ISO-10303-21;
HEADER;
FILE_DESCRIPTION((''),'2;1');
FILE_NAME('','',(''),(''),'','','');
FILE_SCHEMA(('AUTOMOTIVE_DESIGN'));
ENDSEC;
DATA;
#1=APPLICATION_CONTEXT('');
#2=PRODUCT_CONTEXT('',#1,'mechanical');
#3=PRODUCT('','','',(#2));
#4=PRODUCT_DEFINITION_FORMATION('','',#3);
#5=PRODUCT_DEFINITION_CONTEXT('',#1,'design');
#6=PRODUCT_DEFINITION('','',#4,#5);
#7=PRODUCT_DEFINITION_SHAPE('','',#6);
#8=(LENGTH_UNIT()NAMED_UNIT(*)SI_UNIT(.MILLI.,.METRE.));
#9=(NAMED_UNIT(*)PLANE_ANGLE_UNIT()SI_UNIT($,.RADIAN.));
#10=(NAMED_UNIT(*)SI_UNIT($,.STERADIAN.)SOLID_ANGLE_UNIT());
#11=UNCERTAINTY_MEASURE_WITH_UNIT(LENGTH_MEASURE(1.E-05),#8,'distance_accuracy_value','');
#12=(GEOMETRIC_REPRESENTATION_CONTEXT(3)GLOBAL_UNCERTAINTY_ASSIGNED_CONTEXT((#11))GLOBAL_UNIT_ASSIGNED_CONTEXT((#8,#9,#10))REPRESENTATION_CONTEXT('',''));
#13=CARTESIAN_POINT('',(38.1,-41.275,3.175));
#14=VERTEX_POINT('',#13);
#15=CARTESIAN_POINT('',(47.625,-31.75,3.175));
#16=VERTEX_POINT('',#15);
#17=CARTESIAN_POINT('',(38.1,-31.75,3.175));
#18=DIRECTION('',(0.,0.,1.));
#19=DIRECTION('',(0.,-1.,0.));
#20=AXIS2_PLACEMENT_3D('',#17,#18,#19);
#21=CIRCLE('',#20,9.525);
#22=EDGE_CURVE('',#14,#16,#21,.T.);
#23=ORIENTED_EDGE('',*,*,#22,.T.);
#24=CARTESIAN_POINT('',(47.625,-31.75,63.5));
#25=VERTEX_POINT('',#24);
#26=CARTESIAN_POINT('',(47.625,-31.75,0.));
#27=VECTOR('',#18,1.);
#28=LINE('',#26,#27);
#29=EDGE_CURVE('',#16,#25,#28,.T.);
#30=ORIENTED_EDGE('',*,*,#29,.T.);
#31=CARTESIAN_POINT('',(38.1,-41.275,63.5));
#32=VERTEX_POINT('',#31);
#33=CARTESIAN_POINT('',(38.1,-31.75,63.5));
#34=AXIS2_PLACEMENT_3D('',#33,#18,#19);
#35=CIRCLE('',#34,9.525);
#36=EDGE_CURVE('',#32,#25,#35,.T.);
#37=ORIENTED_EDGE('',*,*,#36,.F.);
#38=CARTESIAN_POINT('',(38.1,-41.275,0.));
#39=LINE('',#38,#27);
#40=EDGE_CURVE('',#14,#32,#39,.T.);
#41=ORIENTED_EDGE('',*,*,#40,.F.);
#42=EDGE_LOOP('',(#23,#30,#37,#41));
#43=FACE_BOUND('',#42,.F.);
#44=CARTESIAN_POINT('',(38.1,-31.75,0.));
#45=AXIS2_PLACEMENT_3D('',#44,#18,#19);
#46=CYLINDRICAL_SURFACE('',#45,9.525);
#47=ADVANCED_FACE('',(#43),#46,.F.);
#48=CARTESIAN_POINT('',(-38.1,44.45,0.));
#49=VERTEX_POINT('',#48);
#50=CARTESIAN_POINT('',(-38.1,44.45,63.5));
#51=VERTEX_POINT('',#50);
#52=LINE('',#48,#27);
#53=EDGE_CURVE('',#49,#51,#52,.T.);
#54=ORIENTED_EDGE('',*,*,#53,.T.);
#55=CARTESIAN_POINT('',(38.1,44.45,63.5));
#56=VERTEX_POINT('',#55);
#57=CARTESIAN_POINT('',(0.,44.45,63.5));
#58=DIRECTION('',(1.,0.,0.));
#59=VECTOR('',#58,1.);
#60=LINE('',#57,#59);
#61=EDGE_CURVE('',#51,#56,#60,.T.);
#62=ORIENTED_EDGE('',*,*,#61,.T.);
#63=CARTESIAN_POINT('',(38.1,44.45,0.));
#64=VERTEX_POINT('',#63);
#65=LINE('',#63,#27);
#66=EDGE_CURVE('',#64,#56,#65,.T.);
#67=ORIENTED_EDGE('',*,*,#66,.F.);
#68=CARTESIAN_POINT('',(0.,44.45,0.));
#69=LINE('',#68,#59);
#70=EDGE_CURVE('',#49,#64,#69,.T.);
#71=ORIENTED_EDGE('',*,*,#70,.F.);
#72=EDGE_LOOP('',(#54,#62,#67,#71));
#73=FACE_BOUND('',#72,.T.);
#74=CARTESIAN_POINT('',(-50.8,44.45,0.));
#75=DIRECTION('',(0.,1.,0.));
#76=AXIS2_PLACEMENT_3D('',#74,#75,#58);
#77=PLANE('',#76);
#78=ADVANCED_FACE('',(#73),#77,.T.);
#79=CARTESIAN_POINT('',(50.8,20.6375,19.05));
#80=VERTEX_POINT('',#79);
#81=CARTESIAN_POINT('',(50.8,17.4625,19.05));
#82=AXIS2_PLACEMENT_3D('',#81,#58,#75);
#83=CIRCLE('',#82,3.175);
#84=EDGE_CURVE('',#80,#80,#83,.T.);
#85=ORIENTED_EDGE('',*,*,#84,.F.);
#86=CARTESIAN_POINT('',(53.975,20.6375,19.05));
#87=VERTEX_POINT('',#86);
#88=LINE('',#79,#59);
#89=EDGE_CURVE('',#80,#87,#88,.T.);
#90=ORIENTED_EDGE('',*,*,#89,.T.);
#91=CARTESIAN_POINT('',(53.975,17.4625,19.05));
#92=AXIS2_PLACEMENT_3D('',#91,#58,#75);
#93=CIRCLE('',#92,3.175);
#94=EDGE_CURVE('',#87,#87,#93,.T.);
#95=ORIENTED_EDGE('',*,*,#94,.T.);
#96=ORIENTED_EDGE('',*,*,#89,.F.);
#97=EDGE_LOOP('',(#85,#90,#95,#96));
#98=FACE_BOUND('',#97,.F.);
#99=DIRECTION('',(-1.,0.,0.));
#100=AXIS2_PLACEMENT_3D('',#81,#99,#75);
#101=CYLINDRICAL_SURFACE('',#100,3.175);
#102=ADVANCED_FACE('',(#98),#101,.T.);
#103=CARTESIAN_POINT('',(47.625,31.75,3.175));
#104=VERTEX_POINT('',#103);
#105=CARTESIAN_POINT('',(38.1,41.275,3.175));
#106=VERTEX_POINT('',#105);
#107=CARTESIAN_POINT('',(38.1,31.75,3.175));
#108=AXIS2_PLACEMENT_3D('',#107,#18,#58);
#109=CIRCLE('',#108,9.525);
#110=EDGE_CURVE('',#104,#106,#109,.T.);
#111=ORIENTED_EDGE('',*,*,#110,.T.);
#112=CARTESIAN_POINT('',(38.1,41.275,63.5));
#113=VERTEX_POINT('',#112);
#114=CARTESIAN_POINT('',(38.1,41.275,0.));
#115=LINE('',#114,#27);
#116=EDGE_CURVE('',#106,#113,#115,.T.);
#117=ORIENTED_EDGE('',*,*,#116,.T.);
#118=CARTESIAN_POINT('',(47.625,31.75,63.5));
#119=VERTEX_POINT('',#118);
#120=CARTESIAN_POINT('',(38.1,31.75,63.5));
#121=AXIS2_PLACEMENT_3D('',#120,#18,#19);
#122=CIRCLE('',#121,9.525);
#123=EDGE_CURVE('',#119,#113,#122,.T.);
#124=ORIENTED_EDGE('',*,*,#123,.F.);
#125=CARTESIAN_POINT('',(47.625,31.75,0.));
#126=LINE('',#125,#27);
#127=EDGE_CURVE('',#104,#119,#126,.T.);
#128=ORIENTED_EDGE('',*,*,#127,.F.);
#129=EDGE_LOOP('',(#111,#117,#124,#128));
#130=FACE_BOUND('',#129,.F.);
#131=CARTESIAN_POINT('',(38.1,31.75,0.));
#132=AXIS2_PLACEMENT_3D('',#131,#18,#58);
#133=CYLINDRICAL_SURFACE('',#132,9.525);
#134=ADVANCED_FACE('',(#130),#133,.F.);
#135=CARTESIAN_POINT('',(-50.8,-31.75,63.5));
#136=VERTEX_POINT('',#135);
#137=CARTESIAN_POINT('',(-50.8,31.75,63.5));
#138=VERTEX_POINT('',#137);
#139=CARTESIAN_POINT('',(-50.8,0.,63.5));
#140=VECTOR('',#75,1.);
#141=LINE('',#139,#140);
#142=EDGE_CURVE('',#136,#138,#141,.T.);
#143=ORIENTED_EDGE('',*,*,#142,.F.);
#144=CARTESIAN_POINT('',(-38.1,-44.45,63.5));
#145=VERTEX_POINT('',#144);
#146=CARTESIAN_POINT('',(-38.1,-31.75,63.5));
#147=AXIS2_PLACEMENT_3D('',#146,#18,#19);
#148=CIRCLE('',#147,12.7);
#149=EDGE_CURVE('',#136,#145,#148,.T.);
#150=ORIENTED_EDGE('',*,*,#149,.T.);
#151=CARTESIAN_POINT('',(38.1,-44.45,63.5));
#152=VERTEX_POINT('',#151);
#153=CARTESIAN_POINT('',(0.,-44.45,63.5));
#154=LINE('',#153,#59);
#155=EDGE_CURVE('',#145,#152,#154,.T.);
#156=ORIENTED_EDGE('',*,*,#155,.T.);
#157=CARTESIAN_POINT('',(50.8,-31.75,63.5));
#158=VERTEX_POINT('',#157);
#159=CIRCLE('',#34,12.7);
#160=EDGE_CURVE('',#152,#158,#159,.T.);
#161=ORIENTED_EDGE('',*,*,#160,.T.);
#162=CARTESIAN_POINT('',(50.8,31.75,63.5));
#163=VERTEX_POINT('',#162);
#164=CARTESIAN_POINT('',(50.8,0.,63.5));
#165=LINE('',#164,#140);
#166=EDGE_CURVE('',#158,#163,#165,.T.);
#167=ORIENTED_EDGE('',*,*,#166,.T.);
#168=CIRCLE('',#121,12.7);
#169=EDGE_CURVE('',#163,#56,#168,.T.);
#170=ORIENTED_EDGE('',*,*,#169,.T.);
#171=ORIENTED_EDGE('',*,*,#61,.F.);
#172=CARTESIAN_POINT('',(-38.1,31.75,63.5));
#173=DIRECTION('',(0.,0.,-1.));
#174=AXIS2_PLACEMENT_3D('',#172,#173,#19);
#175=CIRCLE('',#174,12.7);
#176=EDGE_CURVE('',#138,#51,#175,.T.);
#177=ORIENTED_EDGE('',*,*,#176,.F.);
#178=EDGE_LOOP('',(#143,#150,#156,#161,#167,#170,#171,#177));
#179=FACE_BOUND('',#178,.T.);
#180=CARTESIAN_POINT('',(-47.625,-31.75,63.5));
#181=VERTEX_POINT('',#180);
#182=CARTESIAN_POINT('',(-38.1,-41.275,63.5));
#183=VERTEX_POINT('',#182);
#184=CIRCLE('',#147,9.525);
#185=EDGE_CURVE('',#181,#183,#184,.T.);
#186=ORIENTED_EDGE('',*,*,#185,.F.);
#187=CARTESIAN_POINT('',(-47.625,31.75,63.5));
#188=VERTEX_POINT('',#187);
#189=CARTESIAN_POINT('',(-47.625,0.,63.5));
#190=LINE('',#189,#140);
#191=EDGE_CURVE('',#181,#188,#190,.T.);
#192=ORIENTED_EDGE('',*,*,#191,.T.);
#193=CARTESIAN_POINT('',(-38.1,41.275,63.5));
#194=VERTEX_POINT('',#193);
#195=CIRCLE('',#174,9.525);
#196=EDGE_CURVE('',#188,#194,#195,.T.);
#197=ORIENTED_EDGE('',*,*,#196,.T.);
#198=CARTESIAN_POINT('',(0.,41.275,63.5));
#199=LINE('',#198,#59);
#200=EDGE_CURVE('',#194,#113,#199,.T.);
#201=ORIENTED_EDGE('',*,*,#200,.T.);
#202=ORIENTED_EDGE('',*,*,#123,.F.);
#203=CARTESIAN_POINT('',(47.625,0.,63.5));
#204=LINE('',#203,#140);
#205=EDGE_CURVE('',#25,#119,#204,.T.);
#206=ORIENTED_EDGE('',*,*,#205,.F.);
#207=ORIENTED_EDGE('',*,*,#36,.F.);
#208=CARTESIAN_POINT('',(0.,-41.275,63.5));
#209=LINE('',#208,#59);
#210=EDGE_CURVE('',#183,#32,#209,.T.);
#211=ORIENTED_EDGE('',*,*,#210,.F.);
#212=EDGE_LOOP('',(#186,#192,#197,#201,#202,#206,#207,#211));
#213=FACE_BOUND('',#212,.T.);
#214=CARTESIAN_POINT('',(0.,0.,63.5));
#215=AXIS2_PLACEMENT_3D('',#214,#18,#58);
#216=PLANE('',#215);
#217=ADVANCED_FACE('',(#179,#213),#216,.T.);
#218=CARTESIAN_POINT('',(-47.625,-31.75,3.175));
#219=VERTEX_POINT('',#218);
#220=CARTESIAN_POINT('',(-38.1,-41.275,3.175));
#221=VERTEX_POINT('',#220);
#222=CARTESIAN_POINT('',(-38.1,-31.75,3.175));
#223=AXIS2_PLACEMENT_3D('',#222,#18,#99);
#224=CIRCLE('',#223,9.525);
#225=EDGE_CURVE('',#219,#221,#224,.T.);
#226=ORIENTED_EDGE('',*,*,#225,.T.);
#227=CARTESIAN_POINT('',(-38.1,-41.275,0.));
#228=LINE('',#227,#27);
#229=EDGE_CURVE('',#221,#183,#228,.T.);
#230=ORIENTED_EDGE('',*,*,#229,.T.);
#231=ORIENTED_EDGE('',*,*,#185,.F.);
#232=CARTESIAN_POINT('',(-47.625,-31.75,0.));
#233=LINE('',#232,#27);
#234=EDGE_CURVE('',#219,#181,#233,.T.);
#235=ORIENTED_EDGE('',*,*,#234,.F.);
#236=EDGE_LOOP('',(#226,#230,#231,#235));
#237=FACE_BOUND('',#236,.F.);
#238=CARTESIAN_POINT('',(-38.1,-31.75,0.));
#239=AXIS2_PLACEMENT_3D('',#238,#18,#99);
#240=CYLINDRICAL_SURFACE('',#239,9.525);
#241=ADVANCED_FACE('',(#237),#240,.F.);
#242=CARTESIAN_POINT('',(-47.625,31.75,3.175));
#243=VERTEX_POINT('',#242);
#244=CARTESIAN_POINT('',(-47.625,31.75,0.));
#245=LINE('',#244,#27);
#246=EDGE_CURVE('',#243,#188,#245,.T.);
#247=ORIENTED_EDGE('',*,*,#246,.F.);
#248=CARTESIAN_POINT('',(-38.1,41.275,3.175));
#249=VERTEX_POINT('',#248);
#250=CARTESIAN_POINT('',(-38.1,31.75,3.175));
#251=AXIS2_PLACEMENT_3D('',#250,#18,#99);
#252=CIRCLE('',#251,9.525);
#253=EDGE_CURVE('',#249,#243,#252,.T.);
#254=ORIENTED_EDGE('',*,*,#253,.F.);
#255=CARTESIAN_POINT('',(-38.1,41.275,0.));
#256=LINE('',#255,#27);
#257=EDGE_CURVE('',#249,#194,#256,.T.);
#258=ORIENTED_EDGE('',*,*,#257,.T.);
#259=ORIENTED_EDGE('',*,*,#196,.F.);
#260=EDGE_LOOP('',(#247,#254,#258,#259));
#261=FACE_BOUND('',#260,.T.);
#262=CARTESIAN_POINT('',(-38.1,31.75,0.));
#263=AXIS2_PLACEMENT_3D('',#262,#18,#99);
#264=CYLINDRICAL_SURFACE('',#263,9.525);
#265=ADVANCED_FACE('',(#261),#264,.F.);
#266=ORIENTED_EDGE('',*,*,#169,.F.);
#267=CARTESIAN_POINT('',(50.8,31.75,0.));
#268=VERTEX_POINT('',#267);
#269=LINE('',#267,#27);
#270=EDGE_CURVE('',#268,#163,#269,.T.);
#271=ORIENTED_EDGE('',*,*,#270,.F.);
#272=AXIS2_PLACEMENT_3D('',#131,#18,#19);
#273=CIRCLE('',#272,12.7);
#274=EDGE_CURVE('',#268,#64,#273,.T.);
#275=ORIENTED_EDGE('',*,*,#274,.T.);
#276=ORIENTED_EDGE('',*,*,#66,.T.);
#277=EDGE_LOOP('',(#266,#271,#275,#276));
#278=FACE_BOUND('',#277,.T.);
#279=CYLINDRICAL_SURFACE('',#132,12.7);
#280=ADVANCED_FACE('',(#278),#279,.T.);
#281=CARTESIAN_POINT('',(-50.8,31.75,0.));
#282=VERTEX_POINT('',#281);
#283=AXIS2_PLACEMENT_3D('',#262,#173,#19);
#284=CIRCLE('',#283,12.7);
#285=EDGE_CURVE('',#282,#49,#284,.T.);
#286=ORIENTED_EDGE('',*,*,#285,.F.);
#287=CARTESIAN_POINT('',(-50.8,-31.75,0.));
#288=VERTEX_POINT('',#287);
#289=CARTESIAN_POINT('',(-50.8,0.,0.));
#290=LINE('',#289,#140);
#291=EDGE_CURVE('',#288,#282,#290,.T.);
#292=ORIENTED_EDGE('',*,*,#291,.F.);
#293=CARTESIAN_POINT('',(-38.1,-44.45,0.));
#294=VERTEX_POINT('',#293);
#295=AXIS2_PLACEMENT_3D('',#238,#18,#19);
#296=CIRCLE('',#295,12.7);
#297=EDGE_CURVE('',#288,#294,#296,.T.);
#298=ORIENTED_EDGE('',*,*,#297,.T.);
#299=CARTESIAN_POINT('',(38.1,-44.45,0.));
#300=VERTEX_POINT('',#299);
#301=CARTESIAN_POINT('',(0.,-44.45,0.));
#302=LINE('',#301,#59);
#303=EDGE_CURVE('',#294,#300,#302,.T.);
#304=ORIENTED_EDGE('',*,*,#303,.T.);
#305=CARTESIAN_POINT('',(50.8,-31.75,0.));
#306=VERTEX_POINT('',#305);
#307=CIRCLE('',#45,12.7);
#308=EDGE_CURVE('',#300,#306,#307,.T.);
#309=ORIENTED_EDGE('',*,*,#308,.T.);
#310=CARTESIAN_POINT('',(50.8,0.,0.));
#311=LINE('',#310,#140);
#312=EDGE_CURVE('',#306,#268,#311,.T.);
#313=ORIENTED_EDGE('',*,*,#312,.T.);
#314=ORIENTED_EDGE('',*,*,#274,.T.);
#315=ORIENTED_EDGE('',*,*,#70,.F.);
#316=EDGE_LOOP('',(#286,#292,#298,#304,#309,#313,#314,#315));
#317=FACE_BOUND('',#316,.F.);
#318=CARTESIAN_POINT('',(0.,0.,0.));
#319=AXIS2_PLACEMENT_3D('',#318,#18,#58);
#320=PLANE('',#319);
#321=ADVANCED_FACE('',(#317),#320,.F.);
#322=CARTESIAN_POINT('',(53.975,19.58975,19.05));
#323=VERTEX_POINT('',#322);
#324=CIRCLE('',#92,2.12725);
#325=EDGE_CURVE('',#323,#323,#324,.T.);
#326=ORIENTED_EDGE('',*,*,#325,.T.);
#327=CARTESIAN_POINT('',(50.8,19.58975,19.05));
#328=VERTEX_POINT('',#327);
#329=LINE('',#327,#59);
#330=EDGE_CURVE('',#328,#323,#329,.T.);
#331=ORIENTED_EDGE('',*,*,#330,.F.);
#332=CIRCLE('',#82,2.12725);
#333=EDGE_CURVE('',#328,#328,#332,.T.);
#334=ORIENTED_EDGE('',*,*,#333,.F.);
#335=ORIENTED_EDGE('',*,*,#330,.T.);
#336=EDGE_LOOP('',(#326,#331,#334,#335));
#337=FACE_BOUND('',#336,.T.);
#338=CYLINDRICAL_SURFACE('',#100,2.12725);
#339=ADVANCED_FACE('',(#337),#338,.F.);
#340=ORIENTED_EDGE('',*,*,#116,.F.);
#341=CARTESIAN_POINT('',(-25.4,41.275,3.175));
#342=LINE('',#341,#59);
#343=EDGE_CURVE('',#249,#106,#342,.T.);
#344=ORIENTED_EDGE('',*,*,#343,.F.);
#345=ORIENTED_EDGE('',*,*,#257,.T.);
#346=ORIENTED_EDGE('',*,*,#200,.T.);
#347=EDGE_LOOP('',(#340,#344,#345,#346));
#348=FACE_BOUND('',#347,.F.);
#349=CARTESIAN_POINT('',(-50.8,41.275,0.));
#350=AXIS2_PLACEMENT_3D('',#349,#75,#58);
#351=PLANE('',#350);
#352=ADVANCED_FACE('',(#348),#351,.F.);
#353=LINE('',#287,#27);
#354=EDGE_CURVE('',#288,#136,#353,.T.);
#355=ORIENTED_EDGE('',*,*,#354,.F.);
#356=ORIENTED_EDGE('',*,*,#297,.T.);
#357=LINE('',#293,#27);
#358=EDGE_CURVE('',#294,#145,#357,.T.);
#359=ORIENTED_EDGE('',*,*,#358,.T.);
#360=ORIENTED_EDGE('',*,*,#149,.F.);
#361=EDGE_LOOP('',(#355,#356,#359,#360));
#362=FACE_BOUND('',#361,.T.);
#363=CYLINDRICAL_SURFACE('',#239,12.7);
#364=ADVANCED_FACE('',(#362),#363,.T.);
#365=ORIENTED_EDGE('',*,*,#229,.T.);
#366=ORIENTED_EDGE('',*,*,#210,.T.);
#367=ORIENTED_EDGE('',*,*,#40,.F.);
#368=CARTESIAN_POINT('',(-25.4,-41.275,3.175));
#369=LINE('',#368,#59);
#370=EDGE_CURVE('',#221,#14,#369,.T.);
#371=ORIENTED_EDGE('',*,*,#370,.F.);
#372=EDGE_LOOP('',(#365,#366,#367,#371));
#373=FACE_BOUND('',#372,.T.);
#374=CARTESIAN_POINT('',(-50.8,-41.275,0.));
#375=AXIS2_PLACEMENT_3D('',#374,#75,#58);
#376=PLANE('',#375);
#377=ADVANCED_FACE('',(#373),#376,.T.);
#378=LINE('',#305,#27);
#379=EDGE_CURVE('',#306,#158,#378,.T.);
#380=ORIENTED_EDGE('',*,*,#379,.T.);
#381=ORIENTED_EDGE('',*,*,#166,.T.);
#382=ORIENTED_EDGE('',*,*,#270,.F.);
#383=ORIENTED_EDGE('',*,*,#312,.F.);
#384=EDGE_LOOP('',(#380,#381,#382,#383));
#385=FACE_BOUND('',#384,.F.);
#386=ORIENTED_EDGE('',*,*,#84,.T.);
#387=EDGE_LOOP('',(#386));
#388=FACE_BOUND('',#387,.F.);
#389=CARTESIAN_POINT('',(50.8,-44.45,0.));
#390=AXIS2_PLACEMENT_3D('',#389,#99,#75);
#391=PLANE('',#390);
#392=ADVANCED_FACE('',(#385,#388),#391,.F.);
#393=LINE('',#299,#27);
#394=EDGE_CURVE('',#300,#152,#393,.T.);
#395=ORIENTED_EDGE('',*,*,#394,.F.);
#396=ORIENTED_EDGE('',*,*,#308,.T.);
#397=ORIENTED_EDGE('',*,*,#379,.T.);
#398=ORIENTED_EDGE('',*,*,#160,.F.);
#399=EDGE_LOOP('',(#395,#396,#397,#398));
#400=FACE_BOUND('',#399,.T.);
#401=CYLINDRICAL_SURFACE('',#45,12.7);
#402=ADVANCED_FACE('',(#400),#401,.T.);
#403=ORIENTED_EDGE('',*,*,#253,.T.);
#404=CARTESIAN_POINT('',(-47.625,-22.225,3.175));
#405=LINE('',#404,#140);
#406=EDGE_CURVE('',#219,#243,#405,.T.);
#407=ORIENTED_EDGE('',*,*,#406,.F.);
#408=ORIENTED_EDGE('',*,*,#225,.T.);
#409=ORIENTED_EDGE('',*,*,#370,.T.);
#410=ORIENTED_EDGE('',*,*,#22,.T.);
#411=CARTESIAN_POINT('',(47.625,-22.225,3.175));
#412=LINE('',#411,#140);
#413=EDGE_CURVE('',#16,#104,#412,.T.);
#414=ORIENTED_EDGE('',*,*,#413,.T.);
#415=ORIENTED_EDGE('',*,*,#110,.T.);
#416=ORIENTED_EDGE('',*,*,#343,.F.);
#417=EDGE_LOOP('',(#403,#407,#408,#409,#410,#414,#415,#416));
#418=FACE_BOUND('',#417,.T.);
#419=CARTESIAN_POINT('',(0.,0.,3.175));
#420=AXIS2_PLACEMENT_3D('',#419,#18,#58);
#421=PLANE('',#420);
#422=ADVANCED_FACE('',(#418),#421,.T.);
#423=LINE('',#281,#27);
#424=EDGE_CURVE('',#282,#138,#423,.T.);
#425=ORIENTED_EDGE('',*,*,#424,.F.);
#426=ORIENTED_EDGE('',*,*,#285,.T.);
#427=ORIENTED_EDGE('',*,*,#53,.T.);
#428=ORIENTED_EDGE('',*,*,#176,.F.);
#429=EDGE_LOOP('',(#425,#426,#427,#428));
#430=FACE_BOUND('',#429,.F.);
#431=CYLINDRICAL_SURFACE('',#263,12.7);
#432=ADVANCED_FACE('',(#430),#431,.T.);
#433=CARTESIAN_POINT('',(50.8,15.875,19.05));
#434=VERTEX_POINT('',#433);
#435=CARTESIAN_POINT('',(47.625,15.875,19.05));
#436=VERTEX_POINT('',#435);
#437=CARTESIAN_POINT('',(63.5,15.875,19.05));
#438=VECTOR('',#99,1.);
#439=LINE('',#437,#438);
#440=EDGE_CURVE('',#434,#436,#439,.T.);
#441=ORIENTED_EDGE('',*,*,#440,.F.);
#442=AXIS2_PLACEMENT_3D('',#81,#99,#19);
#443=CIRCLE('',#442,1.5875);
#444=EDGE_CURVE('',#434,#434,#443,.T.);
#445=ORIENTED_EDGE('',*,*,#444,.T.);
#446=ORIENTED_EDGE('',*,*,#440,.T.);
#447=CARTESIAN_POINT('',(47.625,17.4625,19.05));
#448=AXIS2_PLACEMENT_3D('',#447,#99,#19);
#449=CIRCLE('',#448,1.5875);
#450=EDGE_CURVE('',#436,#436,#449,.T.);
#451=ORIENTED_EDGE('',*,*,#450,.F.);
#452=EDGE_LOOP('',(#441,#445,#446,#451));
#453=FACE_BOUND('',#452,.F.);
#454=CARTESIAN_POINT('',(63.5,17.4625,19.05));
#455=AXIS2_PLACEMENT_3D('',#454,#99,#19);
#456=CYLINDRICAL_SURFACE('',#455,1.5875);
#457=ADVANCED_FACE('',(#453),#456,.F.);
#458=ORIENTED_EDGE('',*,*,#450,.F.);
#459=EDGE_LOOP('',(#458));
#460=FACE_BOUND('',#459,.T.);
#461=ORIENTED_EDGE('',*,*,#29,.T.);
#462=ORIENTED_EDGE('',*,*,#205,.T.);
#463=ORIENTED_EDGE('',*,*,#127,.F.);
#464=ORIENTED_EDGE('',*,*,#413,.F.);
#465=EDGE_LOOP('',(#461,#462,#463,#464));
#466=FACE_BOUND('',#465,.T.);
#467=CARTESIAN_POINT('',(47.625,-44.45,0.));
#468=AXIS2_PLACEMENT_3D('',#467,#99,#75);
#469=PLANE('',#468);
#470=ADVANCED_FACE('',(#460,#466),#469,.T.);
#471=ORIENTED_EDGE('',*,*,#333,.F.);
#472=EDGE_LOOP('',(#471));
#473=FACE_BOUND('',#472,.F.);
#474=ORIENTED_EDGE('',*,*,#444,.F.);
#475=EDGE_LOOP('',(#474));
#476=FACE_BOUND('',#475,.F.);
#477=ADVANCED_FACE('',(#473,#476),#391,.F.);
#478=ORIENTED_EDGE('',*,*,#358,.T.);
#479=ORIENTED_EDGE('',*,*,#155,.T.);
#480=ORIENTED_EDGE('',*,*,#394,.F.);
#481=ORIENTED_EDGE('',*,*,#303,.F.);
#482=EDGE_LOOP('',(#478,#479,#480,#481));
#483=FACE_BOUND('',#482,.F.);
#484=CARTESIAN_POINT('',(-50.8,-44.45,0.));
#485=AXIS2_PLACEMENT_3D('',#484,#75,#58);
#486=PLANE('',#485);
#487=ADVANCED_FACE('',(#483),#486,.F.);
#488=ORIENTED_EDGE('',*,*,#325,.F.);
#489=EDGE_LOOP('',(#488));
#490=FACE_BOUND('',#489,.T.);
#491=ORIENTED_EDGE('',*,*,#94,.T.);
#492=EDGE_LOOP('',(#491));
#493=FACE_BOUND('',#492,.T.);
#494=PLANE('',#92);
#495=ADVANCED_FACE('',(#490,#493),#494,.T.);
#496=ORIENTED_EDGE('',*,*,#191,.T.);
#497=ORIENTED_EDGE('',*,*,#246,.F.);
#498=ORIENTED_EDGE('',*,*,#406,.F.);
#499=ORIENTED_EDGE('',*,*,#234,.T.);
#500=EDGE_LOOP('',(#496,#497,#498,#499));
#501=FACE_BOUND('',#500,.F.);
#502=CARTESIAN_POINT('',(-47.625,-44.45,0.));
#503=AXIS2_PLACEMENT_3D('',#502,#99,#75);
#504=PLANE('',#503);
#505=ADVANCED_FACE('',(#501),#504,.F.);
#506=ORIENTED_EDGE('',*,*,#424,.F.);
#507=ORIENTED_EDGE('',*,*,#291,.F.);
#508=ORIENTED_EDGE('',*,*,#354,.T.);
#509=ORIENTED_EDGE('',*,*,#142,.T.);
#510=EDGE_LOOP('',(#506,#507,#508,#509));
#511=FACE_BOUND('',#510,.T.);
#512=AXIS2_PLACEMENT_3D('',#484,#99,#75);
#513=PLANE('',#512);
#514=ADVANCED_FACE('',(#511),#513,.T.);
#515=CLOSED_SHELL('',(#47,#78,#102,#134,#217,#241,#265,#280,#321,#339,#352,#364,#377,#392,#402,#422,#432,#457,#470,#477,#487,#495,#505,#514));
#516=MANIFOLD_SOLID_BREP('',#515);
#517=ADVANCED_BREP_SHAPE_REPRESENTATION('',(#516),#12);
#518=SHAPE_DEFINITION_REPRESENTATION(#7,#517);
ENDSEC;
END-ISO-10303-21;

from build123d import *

# Parameters (mm, degrees)
F5_W     = 101.6
F5_H     = 88.9
F6_DEPTH = 63.5
F0_R     = 12.7
F1_T     = -3.175
F2_D     = 3.175
F2_DEPTH = 12.7
F3_R     = 3.175
F3_R_2   = 2.12725
F4_DEPTH = 3.175


with BuildPart() as f6:
    # F5 (on Top) → F6 (new body)
    with BuildSketch(Plane.XY):
        Rectangle(F5_W, F5_H)
    extrude(amount=F6_DEPTH)

    # F0
    f0_edges = [f6.edges().sort_by_distance(p)[0] for p in [
        (50.8, -44.45, 31.75),
        (50.8, 44.45, 31.75),
        (-50.8, -44.45, 31.75),
        (-50.8, 44.45, 31.75),
    ]]
    fillet(f0_edges, radius=F0_R)

    # F1
    f1_openings = [f6.faces().sort_by_distance(p)[0] for p in [
        (0, 0, 63.5),
    ]]
    offset(amount=F1_T, openings=f1_openings)

    # F2
    with Locations(Plane.YZ.offset(50.8)):
        with Locations((17.4625, 19.05)):
            Hole(F2_D / 2, depth=F2_DEPTH)

    # F3 (on face) → F4 (join)
    with BuildSketch(Plane.YZ.offset(50.8)):
        with Locations((17.4625, 19.05)):
            Circle(F3_R)
        with Locations((17.4625, 19.05)):
            Circle(F3_R_2, mode=Mode.SUBTRACT)
    extrude(amount=F4_DEPTH)


solid = f6.part
